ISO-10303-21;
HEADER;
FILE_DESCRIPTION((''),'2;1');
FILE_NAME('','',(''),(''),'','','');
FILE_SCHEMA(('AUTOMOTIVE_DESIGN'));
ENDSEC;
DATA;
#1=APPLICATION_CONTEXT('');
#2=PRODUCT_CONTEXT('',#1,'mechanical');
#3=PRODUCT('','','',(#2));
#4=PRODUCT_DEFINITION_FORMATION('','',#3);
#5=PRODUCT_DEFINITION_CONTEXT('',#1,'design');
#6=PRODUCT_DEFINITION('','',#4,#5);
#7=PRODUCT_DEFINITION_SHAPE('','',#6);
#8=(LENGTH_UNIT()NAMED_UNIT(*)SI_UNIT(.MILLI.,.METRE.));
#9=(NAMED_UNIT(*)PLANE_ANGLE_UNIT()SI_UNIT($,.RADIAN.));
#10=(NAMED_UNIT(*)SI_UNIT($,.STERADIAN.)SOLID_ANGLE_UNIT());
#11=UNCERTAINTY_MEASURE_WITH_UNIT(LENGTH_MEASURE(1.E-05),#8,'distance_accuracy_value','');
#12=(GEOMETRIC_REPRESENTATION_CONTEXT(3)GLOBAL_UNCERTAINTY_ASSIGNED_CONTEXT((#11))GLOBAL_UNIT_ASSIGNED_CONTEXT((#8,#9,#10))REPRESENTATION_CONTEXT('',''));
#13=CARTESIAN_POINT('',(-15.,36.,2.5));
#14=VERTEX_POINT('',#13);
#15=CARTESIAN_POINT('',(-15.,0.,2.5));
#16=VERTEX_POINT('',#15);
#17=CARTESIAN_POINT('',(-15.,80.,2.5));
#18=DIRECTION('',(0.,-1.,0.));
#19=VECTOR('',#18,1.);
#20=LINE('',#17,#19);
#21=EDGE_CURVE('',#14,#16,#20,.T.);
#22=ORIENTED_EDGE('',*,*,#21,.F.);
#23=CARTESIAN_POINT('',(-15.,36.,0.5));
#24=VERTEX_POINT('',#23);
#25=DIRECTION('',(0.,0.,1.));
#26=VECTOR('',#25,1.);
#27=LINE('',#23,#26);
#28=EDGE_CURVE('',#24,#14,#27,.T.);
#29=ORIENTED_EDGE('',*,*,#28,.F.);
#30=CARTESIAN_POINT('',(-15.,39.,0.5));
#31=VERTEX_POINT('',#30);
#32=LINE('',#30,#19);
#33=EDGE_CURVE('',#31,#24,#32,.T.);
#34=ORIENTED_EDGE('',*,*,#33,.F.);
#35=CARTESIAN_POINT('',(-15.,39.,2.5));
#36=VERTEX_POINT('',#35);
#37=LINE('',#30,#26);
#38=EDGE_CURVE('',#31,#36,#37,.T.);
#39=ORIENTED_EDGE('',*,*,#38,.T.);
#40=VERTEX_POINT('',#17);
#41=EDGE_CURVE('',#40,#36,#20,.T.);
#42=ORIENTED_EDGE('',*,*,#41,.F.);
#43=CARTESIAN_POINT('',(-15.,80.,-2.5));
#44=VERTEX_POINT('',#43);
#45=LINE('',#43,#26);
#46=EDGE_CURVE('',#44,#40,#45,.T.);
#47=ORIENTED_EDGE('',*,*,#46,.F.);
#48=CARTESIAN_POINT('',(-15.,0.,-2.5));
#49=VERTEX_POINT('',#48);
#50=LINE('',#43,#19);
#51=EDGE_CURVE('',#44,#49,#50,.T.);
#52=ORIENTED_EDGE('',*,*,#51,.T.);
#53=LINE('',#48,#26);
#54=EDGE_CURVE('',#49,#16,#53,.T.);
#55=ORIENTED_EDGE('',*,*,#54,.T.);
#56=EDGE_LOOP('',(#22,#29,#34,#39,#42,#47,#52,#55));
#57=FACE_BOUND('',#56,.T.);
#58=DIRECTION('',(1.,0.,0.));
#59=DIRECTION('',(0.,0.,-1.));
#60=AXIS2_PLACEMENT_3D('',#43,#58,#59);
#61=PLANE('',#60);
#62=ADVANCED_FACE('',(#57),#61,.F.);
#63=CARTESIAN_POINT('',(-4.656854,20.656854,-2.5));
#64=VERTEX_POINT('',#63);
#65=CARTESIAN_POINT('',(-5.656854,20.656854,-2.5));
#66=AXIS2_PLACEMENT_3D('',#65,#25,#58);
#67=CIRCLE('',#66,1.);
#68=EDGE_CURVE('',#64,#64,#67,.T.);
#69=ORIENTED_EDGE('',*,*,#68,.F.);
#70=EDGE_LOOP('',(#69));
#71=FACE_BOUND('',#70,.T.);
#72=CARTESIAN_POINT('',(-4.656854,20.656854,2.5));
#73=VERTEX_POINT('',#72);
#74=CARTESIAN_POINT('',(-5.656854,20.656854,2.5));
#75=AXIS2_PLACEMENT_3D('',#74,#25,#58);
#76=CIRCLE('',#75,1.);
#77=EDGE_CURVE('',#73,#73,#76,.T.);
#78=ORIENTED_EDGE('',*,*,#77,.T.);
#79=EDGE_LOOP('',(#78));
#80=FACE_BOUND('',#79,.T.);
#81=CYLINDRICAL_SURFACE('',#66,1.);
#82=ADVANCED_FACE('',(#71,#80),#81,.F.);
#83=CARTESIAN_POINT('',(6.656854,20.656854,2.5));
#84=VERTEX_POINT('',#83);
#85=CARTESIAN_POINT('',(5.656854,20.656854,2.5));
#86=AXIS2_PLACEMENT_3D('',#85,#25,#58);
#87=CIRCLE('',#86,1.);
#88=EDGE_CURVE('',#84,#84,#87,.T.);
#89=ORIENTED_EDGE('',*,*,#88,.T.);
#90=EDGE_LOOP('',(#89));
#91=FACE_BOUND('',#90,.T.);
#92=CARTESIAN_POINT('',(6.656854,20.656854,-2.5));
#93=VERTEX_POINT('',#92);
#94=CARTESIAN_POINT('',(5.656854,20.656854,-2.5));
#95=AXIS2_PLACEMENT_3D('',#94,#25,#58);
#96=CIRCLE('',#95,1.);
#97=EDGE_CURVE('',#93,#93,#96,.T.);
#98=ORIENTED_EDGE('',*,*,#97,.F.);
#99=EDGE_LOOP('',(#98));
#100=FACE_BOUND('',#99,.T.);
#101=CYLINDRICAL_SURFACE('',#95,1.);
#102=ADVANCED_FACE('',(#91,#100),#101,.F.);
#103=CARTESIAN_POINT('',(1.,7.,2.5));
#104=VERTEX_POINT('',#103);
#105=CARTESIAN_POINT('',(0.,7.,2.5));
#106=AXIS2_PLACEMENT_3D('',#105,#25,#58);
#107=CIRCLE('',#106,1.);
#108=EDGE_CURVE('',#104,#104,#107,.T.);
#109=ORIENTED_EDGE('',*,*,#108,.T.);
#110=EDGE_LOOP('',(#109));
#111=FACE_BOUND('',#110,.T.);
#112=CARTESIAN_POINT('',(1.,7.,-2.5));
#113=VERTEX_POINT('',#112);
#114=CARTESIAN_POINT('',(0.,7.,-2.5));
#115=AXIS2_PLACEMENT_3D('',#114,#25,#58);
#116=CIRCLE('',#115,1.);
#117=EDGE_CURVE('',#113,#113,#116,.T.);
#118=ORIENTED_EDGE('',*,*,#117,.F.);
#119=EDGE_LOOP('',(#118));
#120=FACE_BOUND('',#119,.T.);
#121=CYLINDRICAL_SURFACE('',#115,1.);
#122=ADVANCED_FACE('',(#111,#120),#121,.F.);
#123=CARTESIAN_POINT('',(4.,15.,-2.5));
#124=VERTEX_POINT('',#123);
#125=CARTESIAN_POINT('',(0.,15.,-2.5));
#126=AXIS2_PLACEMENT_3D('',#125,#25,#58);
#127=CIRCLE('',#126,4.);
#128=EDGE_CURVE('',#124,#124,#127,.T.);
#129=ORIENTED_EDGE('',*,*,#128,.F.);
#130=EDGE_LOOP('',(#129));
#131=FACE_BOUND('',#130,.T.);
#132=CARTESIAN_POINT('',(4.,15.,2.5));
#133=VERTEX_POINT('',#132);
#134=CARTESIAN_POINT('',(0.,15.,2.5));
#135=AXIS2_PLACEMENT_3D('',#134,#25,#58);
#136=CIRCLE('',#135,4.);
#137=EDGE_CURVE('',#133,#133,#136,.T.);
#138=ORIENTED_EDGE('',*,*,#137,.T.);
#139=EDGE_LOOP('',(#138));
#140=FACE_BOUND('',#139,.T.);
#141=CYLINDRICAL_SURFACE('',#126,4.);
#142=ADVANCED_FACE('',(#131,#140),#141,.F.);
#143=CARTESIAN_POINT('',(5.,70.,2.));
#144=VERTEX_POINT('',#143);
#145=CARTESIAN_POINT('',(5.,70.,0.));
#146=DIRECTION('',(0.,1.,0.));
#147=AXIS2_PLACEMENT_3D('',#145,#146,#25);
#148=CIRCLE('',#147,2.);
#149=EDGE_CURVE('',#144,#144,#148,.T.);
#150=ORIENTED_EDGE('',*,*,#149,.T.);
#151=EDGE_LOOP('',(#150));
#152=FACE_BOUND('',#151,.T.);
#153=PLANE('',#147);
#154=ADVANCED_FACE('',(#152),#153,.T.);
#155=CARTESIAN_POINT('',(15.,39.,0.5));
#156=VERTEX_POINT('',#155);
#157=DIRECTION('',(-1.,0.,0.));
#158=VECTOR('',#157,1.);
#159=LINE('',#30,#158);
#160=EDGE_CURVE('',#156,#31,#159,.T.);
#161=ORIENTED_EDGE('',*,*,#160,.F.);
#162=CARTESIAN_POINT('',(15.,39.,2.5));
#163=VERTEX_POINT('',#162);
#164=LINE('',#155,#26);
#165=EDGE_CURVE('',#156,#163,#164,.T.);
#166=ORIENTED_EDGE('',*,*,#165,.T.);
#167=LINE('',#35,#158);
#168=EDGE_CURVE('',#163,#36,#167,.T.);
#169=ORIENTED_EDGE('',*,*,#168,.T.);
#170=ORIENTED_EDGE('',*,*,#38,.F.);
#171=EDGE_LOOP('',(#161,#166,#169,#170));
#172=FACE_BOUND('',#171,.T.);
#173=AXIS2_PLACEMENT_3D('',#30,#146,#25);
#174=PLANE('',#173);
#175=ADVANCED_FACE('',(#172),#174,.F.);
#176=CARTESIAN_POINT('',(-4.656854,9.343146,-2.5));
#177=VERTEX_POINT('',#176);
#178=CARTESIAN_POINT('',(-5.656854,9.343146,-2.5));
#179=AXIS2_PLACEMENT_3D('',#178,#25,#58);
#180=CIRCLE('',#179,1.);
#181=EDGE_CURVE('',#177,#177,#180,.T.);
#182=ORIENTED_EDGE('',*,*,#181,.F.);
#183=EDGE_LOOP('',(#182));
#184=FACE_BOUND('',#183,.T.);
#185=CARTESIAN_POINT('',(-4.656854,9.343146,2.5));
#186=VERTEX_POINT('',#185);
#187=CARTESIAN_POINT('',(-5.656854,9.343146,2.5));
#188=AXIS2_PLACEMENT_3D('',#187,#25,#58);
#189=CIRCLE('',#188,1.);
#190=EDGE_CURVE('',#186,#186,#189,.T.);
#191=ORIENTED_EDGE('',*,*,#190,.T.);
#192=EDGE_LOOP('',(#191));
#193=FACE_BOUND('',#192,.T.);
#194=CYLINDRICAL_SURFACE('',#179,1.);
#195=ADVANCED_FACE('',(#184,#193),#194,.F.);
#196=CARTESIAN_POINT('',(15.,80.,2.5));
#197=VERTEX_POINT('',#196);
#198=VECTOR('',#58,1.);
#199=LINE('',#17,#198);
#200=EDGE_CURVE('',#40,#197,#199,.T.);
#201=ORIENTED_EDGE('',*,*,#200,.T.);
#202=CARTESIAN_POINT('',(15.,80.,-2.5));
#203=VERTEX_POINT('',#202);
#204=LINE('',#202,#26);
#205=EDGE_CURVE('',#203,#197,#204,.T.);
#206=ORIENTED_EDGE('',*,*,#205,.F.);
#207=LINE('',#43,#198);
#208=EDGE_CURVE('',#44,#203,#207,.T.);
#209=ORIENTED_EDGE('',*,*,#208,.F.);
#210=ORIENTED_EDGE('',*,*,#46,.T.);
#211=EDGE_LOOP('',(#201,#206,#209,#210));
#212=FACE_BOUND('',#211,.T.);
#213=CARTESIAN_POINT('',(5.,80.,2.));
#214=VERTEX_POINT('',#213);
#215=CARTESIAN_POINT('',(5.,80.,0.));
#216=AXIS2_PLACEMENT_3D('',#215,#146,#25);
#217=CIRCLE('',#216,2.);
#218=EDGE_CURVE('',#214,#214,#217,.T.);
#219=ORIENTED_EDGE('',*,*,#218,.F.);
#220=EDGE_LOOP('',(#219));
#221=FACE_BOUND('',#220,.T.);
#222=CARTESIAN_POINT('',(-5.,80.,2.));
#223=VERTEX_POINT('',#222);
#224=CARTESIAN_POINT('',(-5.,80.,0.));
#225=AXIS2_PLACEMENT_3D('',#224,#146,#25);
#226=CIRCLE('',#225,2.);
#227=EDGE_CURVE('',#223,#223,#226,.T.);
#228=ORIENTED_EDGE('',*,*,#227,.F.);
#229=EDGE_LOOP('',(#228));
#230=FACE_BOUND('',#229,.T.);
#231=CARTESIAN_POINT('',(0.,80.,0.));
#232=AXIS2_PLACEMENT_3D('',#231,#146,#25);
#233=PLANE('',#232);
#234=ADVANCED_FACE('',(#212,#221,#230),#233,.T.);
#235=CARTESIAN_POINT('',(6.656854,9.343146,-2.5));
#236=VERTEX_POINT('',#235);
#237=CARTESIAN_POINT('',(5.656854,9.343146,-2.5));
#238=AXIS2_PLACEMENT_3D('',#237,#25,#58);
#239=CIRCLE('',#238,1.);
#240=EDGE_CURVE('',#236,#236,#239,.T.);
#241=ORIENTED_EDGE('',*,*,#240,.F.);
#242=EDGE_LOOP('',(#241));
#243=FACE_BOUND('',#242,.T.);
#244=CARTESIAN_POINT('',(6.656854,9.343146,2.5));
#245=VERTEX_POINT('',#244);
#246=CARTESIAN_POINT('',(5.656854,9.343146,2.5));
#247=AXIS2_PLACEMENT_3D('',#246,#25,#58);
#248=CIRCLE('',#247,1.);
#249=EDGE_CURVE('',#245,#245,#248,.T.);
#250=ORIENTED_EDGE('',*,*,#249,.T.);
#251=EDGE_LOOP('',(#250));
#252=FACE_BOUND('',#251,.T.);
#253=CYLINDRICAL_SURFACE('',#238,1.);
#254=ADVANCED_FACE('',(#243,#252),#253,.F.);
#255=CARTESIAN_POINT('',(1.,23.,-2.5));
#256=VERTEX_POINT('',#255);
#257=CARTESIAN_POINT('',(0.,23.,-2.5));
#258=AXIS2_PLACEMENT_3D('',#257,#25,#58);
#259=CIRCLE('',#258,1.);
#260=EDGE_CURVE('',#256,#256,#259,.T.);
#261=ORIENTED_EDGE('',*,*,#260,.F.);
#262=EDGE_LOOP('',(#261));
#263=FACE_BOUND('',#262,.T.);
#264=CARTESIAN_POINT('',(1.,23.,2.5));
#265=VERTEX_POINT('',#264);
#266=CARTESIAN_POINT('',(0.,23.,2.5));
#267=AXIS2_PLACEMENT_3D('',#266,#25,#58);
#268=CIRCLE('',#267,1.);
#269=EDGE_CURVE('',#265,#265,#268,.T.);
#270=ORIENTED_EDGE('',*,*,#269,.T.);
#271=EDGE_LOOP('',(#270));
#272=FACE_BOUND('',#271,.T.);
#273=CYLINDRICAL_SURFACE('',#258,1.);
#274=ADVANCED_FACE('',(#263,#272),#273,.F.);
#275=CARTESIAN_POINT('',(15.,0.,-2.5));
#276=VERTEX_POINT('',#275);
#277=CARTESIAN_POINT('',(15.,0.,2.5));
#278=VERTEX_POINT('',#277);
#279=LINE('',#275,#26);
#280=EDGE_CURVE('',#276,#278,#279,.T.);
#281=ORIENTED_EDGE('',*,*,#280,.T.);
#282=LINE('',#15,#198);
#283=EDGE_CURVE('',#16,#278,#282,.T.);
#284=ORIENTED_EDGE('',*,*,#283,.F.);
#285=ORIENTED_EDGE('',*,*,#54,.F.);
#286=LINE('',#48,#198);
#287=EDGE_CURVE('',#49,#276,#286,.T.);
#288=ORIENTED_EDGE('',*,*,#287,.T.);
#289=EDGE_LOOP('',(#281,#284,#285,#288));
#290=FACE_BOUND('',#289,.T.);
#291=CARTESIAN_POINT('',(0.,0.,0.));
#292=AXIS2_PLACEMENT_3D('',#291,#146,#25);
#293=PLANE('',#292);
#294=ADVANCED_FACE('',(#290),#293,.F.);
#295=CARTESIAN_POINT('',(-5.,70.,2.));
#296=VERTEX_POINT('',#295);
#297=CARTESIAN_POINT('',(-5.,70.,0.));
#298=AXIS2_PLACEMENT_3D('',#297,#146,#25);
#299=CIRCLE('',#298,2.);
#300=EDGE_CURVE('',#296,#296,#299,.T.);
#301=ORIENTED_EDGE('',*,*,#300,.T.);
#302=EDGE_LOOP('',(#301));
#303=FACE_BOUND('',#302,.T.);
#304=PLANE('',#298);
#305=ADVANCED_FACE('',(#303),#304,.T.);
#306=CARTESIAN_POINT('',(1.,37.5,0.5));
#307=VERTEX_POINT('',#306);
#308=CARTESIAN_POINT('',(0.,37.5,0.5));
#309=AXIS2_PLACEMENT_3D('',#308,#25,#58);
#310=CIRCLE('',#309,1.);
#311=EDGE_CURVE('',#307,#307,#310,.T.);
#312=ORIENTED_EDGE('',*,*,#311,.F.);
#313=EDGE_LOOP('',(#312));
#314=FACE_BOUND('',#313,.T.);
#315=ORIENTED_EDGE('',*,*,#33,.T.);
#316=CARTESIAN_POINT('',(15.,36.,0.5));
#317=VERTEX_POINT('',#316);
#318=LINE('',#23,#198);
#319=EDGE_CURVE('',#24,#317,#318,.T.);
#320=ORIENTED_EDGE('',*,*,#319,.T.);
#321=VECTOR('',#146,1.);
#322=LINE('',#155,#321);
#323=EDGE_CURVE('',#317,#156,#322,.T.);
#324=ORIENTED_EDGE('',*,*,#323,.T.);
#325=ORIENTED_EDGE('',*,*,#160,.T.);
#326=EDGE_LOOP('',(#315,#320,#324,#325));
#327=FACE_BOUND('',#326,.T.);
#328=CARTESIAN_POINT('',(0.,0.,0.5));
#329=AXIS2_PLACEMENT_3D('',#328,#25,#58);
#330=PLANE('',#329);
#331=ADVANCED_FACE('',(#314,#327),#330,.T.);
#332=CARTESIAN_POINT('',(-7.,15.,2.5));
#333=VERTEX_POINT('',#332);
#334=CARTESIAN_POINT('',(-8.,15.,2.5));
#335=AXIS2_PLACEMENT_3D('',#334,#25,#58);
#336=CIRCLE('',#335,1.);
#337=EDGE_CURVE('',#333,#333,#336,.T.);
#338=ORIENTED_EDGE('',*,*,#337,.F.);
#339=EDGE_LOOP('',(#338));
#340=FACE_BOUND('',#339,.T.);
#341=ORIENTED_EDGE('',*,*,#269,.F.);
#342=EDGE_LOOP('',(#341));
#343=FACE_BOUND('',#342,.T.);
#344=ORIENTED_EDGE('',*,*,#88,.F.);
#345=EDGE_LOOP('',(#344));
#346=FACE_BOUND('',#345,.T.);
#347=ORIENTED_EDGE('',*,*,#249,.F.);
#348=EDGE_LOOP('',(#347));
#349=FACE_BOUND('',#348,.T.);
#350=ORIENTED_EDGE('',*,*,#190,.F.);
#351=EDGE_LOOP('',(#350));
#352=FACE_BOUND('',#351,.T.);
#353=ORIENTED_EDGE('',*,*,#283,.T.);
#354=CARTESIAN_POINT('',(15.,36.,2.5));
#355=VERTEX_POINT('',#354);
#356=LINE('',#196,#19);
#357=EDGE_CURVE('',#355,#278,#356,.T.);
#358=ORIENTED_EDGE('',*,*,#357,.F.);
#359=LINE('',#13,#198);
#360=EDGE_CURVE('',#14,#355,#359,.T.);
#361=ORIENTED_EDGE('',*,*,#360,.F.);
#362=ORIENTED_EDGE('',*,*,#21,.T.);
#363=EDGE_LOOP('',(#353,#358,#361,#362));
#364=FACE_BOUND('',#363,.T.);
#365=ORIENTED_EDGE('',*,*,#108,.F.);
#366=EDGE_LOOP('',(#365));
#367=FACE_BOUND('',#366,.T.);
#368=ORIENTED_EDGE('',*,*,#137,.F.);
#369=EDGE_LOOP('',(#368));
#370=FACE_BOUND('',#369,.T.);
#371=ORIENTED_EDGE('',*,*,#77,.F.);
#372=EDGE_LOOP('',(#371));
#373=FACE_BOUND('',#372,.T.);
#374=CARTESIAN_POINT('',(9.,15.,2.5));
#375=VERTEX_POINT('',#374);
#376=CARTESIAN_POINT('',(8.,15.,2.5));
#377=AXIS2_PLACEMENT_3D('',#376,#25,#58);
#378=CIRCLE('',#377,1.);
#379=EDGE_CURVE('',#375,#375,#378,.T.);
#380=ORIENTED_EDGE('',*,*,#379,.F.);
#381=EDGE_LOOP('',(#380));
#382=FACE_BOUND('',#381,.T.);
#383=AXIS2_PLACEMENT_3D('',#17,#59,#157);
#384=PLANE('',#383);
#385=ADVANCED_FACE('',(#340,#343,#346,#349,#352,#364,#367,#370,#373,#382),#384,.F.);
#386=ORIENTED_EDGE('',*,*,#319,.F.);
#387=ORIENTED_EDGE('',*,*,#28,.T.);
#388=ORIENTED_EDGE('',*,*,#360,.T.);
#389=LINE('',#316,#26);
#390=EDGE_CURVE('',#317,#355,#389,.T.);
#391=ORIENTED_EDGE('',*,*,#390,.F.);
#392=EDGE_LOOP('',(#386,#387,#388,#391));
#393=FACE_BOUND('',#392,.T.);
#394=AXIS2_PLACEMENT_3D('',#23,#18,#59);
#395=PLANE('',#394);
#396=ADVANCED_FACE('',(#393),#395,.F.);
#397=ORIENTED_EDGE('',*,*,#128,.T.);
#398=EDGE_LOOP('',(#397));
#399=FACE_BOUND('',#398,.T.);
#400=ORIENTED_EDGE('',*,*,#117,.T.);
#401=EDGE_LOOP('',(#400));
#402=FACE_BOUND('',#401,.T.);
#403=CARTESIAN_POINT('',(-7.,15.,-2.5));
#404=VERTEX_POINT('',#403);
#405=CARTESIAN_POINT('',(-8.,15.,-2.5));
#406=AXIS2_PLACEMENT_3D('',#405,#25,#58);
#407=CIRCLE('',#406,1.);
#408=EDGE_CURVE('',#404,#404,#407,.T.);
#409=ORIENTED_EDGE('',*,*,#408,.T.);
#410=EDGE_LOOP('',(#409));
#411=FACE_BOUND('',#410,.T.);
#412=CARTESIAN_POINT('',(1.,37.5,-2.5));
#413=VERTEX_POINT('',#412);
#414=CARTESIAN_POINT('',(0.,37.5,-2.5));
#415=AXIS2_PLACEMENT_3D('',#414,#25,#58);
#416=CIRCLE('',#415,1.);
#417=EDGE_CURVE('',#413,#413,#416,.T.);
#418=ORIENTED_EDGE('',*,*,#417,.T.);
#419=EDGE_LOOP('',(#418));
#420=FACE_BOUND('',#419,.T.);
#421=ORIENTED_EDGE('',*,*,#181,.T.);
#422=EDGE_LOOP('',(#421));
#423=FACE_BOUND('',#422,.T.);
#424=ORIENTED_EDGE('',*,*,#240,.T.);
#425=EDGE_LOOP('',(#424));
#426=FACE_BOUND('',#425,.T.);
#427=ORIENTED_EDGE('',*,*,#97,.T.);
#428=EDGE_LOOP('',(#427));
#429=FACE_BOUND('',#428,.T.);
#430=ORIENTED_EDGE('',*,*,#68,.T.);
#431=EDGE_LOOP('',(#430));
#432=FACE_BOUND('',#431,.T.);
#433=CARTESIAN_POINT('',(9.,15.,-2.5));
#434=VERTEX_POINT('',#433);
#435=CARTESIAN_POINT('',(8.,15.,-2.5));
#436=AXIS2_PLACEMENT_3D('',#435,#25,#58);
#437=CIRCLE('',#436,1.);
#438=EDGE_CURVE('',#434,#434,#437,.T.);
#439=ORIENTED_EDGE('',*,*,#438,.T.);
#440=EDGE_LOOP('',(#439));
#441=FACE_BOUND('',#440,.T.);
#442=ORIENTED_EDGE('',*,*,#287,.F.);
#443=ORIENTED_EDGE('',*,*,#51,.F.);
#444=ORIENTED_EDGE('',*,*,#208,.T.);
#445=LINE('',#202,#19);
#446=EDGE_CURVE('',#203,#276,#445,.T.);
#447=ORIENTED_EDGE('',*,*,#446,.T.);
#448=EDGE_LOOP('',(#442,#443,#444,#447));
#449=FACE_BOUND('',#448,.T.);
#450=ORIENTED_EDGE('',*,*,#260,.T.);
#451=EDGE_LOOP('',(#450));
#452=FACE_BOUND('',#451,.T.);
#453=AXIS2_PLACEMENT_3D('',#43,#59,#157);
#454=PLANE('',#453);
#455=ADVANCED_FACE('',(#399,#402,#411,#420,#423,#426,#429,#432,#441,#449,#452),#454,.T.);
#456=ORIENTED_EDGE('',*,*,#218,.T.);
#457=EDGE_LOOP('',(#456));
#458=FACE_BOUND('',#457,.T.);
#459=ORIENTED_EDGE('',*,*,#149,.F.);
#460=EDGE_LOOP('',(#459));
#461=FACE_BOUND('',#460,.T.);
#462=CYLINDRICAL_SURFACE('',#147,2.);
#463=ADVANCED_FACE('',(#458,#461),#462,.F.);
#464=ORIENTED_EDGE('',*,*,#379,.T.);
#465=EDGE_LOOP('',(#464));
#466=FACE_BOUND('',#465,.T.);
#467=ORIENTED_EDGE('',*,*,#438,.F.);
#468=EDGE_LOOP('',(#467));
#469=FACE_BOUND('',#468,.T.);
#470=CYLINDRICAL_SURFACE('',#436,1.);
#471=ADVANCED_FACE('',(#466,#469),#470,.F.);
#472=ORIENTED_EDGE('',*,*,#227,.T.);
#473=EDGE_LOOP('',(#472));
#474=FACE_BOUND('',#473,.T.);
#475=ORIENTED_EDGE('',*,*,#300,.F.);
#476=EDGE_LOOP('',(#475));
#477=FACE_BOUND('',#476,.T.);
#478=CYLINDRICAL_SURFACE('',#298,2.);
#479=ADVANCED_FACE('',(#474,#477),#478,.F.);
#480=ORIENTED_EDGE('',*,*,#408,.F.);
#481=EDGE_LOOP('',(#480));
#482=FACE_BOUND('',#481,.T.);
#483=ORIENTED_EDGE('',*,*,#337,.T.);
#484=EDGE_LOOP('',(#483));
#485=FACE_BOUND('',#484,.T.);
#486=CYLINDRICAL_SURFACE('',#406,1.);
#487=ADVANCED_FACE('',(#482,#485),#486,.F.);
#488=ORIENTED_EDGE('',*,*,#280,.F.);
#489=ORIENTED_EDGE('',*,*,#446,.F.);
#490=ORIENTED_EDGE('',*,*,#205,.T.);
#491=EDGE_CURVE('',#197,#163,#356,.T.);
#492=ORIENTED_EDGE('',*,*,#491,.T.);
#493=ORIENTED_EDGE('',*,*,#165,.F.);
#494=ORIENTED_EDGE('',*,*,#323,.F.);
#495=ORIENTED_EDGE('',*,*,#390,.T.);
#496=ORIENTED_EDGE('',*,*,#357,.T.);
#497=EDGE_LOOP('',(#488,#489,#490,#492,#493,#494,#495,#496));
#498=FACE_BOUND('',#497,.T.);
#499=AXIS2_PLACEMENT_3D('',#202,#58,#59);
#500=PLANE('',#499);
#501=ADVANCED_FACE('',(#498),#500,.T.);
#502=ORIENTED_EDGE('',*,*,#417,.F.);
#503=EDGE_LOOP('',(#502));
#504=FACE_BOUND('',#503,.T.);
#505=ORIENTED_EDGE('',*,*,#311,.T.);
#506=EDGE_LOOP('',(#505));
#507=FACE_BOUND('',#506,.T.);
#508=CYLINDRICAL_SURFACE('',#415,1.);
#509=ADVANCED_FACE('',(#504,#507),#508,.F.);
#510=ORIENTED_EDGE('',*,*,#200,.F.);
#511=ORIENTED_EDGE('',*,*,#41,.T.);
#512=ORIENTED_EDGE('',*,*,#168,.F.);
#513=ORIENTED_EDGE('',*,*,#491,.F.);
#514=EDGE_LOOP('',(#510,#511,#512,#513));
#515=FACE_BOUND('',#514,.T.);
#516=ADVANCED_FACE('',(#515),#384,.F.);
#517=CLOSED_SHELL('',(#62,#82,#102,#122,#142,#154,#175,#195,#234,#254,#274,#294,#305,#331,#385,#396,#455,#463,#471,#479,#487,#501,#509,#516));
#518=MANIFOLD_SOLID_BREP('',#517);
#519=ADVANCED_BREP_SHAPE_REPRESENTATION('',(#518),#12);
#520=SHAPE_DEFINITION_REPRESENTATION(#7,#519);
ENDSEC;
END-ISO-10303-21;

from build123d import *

# Parameters (mm, degrees)
SKETCH1_W           = 30
SKETCH1_H           = 5
BOSS_EXTRUDE1_DEPTH = 80
SKETCH2_R           = 2
CUT_EXTRUDE1_DEPTH  = 10
SKETCH3_R           = 1
SKETCH3_R_2         = 4
CUT_EXTRUDE3_DEPTH  = 82.547532152
SKETCH5_W           = 30
SKETCH5_H           = 3
CUT_EXTRUDE4_DEPTH  = 2
SKETCH6_R           = 1
CUT_EXTRUDE5_DEPTH  = 82.449370777


with BuildPart() as part:
    # Sketch1 → Boss-Extrude1 (new body)
    with BuildSketch(Plane(origin=(0, 0, 0), x_dir=(1, 0, 0), z_dir=(0, 1, 0))):
        Rectangle(SKETCH1_W, SKETCH1_H)
    extrude(amount=BOSS_EXTRUDE1_DEPTH)

    # Sketch2 → Cut-Extrude1 (cut)
    with BuildSketch(Plane(origin=(0, 80, 0), x_dir=(1, 0, 0), z_dir=(0, 1, 0))):
        with Locations((-5, 0)):
            Circle(SKETCH2_R)
        with Locations((5, 0)):
            Circle(SKETCH2_R)
    extrude(amount=-CUT_EXTRUDE1_DEPTH, mode=Mode.SUBTRACT)

    # Sketch3 → Cut-Extrude3 (cut, through all)
    with BuildSketch(Plane.XY.offset(2.5)):
        with Locations((0, 23)):
            Circle(SKETCH3_R)
        with Locations((-5.656854249, 20.656854249)):
            Circle(SKETCH3_R)
        with Locations((0, 15)):
            Circle(SKETCH3_R_2)
        with Locations((5.656854249, 20.656854249)):
            Circle(SKETCH3_R)
        with Locations((-8, 15)):
            Circle(SKETCH3_R)
        with Locations((0, 7)):
            Circle(SKETCH3_R)
        with Locations((8, 15)):
            Circle(SKETCH3_R)
        with Locations((-5.656854249, 9.343145751)):
            Circle(SKETCH3_R)
        with Locations((5.656854249, 9.343145751)):
            Circle(SKETCH3_R)
    extrude(amount=-CUT_EXTRUDE3_DEPTH, mode=Mode.SUBTRACT)

    # Sketch5 → Cut-Extrude4 (cut)
    with BuildSketch(Plane.XY.offset(2.5)):
        with Locations((0, 37.5)):
            Rectangle(SKETCH5_W, SKETCH5_H)
    extrude(amount=-CUT_EXTRUDE4_DEPTH, mode=Mode.SUBTRACT)

    # Sketch6 → Cut-Extrude5 (cut, through all)
    with BuildSketch(Plane.XY.offset(0.5)):
        with Locations((0, 37.5)):
            Circle(SKETCH6_R)
    extrude(amount=-CUT_EXTRUDE5_DEPTH, mode=Mode.SUBTRACT)


solid = part.part
